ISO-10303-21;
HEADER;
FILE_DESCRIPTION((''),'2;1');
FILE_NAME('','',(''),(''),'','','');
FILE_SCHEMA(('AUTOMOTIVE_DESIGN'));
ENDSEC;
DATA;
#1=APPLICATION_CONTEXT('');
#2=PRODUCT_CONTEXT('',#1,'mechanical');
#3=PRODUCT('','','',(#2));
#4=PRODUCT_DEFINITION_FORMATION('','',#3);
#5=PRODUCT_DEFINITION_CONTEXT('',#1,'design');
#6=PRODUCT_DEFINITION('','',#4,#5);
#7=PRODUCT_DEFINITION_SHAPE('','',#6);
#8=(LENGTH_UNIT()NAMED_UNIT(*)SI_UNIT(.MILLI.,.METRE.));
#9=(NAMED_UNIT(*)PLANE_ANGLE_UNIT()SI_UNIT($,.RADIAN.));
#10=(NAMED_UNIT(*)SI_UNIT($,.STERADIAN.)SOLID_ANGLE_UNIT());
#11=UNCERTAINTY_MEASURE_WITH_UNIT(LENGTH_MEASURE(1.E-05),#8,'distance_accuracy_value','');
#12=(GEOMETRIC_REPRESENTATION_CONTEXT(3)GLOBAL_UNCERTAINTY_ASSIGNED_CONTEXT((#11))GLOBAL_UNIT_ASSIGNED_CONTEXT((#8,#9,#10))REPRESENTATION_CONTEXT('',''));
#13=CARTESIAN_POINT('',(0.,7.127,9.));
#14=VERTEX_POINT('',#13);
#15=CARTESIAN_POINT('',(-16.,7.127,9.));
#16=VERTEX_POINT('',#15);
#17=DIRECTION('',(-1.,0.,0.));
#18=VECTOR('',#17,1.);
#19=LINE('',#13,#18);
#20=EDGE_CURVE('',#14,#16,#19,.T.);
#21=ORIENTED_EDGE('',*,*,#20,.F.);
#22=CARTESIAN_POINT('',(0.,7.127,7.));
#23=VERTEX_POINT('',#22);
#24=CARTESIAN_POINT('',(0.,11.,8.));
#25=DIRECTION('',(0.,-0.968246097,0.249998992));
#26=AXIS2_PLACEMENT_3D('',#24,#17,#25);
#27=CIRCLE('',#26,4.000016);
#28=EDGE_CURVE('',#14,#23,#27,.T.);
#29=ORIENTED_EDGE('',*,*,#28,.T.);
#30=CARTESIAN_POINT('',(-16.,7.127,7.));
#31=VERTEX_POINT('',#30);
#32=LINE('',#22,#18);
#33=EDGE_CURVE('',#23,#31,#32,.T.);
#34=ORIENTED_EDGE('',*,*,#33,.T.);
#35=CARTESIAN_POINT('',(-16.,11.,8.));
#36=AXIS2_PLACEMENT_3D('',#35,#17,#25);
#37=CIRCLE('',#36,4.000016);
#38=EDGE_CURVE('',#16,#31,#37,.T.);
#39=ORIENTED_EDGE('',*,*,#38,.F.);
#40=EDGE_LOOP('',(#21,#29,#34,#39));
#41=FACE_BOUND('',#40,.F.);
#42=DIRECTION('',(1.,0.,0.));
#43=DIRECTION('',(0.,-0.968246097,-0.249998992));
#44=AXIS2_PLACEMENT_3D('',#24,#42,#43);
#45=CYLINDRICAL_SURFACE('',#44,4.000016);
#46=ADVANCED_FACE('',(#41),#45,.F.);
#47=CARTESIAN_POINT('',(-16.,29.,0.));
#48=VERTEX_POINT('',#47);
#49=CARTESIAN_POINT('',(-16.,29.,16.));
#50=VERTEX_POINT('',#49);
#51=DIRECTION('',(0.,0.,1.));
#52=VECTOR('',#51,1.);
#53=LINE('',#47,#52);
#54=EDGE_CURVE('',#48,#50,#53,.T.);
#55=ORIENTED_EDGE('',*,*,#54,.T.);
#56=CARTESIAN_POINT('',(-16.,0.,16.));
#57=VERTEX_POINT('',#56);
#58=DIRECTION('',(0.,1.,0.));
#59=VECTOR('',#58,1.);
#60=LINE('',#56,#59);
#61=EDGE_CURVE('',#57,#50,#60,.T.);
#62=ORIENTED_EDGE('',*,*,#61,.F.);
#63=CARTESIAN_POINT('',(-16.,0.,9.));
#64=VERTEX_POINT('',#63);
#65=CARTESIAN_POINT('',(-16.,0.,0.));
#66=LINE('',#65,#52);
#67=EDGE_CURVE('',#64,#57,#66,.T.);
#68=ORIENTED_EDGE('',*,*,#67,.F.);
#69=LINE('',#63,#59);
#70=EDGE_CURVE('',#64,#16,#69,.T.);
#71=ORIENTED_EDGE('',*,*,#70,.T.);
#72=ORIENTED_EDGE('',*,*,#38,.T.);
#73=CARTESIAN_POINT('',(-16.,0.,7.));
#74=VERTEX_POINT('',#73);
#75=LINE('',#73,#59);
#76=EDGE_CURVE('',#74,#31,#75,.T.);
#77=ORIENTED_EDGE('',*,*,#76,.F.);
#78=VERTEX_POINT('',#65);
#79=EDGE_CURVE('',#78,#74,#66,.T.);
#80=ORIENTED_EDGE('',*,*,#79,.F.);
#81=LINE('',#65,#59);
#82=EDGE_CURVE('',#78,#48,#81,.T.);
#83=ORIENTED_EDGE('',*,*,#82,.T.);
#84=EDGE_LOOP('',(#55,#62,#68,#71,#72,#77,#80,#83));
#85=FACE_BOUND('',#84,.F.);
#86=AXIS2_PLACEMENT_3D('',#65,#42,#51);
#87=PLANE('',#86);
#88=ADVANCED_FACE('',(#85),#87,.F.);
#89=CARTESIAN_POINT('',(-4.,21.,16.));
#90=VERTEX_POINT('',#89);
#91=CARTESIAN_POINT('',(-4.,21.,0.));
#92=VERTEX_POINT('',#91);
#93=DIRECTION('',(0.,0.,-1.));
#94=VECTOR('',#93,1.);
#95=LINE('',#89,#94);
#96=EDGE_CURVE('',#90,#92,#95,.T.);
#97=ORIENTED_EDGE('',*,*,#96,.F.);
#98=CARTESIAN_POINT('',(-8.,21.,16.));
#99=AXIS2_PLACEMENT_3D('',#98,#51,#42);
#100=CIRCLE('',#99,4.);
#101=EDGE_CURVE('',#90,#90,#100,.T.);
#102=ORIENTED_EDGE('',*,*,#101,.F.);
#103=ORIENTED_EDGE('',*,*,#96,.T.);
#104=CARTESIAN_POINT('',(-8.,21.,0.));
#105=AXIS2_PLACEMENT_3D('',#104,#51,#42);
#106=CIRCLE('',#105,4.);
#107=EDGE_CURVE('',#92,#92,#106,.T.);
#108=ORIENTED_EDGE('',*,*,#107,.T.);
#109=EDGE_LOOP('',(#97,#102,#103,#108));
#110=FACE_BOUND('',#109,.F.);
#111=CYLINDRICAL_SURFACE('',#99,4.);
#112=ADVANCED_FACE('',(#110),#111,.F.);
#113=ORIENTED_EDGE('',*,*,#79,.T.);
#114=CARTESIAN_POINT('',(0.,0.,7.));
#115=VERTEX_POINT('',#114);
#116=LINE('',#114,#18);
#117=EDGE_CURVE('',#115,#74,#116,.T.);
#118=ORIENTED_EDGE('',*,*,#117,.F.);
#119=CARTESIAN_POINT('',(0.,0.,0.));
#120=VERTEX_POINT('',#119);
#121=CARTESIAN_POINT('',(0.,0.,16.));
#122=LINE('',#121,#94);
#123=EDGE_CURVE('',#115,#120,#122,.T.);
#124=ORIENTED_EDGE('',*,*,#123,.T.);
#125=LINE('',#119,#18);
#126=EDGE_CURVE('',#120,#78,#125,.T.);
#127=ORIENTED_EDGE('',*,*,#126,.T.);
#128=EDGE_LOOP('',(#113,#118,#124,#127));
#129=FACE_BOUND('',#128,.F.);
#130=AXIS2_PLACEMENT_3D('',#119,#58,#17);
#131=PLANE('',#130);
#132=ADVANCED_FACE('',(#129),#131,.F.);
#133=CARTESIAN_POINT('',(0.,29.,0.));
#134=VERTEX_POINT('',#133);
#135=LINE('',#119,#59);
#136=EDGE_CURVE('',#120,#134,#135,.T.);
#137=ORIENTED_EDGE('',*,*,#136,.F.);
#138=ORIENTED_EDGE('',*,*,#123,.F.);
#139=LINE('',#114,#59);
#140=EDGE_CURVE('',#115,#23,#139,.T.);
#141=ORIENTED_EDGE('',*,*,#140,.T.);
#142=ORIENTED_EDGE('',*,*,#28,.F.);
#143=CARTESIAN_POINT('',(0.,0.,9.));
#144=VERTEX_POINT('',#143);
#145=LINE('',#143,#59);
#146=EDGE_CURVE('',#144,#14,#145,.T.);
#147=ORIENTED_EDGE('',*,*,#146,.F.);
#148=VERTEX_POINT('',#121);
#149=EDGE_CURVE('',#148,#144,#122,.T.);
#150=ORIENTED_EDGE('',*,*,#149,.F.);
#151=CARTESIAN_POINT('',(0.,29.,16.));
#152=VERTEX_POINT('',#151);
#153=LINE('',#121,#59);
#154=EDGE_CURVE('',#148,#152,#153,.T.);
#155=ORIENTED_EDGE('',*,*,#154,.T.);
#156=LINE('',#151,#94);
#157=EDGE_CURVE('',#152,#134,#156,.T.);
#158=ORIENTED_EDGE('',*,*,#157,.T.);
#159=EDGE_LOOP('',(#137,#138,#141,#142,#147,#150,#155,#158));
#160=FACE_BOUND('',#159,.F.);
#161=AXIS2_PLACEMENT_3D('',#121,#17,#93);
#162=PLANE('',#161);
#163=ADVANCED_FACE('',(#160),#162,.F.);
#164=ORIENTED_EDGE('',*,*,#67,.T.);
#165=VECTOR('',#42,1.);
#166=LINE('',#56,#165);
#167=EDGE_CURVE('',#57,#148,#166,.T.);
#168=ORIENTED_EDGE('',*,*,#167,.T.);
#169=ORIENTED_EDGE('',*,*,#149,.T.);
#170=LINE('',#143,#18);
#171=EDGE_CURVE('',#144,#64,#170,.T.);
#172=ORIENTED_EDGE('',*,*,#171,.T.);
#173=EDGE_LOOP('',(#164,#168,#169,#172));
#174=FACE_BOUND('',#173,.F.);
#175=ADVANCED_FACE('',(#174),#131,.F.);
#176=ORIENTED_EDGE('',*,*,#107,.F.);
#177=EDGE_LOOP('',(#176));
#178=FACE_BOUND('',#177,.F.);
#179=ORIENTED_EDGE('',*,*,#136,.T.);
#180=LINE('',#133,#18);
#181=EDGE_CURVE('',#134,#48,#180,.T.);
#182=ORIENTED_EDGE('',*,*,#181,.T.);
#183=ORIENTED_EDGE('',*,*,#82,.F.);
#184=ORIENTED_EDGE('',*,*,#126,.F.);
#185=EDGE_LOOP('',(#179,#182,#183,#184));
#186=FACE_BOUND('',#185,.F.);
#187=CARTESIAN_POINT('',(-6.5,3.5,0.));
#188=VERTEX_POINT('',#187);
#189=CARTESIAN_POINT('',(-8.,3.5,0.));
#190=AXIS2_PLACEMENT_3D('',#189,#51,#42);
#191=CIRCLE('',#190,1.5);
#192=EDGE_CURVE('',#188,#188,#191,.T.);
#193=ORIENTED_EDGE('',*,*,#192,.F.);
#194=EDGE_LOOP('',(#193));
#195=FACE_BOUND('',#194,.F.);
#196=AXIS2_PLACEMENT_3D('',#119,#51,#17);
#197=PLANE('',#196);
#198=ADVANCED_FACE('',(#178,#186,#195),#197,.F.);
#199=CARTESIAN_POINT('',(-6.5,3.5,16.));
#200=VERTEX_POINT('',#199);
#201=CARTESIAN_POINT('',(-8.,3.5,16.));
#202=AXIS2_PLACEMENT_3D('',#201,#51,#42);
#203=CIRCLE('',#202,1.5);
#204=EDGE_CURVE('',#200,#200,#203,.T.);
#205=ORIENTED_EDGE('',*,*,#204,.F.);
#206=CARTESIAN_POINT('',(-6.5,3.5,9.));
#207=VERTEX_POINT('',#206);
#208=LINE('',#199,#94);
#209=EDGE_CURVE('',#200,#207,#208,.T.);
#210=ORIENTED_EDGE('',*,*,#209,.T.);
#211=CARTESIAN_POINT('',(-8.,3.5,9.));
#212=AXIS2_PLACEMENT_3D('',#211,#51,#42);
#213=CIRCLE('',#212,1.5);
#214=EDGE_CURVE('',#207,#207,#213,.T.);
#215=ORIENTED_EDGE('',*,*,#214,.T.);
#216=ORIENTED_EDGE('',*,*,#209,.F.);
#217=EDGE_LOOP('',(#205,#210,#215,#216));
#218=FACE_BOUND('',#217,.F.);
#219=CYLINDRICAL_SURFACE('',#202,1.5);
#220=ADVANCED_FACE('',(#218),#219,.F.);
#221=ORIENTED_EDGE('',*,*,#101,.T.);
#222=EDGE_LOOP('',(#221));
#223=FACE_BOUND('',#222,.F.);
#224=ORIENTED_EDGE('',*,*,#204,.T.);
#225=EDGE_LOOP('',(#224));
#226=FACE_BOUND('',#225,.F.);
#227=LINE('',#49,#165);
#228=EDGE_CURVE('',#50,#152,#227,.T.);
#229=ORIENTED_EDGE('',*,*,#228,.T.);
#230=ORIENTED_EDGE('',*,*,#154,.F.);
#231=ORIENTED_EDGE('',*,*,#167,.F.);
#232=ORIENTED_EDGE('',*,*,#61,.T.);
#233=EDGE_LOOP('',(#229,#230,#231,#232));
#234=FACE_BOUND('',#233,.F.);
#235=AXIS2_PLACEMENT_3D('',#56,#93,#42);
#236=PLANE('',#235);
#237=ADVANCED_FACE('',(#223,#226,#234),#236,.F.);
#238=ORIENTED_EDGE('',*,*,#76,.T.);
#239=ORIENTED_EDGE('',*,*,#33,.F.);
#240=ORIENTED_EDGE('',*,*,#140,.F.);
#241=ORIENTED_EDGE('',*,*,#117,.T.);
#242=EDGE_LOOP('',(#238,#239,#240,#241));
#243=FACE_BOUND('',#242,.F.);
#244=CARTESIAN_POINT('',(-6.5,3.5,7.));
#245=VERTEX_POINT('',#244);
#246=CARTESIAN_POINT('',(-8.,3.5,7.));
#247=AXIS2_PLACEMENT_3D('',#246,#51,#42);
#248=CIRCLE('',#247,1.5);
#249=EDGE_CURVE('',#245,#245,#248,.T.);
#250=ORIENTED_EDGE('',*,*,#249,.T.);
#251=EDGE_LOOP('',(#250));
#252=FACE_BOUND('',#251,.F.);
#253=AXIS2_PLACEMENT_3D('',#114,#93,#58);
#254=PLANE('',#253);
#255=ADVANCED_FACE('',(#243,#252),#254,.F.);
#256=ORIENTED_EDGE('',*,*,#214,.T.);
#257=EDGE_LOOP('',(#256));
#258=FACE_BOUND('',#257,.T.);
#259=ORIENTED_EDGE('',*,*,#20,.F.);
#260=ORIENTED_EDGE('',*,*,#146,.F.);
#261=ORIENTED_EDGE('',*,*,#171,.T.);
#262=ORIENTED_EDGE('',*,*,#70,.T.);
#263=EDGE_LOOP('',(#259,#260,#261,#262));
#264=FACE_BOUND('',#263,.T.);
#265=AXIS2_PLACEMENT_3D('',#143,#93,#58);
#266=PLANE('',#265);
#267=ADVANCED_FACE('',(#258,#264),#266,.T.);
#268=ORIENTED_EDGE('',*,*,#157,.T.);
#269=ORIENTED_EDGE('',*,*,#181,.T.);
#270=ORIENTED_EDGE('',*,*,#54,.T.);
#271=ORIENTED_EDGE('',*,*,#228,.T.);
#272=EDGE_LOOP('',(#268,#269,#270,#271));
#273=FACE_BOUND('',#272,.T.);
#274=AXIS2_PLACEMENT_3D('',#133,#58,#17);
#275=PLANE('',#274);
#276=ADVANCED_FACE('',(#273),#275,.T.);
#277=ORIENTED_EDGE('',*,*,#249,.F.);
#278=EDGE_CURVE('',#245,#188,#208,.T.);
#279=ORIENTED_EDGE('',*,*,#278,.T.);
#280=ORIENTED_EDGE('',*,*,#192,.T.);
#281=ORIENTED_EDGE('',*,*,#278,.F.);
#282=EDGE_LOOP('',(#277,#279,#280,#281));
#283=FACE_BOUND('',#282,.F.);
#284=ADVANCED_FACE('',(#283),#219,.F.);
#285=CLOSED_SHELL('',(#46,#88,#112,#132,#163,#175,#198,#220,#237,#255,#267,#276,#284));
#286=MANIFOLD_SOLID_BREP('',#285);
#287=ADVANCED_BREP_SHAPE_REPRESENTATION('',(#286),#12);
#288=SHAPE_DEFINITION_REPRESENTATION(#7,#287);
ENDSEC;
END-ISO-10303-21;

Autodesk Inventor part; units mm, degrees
ref_plane "YZ Plane" through (0, 0, 0) normal (1, 0, 0) x (0, 1, 0)
ref_plane "XZ Plane" through (0, 0, 0) normal (0, 1, 0) x (-1, 0, 0)
ref_plane "XY Plane" through (0, 0, 0) normal (0, 0, 1) x (1, 0, 0)
sketch "Sketch1" plane through (0, 0, 0) normal (0, 1, 0) x (-1, 0, 0)
  line L0 (0, 0) -> (16, 0)
  line L1 (16, 0) -> (16, 16)
  line L2 (16, 16) -> (0, 16)
  line L3 (0, 16) -> (0, 0)
  dimension "d0" = 16
  dimension "d1" = 16
extrude "Extrusion1" add sketch "Sketch1" along normal blind 29
sketch "Sketch2" plane through (-16, 0, 16) normal (0, 0, 1) x (1, 0, 0)
  circle A0 centre (8, 3.5) radius 1.5
  circle A1 centre (8, 21) radius 4
  dimension "d5" = 3
  dimension "d7" = 8
extrude "Extrusion2" cut sketch "Sketch2" against normal blind 29
sketch "Sketch3" plane through (0, 0, 16) normal (1, 0, 0) x (0, 0, -1)
  line L0 (0, 0) -> (16, 0) projected
  line L1 (16, 0) -> (16, 29) projected
  line L2 (0, 0) -> (0, 29) projected
  line L3 (0, 0) -> (0, 11)
  arc A0 (9, 7.127) -> (7, 7.127) centre (8, 11) ccw
  line L4 (8, 0) -> (9, 0)
  line L5 (9, 0) -> (9, 7.127)
  line L6 (8, 0) -> (7, 0)
  line L7 (7, 0) -> (7, 7.127)
  line L8 (0, 11) -> (4, 11)
  line L9 (12, 11) -> (16, 11)
  dimension "d10" = 11
  dimension "d11" = 8
  dimension "d12" = 1
  dimension "d13" = 1
extrude "Extrusion3" cut sketch "Sketch3" against normal blind 29 contours L7 A0 L5 L0
properties part number "BarClamp_V3" material "Birch"
